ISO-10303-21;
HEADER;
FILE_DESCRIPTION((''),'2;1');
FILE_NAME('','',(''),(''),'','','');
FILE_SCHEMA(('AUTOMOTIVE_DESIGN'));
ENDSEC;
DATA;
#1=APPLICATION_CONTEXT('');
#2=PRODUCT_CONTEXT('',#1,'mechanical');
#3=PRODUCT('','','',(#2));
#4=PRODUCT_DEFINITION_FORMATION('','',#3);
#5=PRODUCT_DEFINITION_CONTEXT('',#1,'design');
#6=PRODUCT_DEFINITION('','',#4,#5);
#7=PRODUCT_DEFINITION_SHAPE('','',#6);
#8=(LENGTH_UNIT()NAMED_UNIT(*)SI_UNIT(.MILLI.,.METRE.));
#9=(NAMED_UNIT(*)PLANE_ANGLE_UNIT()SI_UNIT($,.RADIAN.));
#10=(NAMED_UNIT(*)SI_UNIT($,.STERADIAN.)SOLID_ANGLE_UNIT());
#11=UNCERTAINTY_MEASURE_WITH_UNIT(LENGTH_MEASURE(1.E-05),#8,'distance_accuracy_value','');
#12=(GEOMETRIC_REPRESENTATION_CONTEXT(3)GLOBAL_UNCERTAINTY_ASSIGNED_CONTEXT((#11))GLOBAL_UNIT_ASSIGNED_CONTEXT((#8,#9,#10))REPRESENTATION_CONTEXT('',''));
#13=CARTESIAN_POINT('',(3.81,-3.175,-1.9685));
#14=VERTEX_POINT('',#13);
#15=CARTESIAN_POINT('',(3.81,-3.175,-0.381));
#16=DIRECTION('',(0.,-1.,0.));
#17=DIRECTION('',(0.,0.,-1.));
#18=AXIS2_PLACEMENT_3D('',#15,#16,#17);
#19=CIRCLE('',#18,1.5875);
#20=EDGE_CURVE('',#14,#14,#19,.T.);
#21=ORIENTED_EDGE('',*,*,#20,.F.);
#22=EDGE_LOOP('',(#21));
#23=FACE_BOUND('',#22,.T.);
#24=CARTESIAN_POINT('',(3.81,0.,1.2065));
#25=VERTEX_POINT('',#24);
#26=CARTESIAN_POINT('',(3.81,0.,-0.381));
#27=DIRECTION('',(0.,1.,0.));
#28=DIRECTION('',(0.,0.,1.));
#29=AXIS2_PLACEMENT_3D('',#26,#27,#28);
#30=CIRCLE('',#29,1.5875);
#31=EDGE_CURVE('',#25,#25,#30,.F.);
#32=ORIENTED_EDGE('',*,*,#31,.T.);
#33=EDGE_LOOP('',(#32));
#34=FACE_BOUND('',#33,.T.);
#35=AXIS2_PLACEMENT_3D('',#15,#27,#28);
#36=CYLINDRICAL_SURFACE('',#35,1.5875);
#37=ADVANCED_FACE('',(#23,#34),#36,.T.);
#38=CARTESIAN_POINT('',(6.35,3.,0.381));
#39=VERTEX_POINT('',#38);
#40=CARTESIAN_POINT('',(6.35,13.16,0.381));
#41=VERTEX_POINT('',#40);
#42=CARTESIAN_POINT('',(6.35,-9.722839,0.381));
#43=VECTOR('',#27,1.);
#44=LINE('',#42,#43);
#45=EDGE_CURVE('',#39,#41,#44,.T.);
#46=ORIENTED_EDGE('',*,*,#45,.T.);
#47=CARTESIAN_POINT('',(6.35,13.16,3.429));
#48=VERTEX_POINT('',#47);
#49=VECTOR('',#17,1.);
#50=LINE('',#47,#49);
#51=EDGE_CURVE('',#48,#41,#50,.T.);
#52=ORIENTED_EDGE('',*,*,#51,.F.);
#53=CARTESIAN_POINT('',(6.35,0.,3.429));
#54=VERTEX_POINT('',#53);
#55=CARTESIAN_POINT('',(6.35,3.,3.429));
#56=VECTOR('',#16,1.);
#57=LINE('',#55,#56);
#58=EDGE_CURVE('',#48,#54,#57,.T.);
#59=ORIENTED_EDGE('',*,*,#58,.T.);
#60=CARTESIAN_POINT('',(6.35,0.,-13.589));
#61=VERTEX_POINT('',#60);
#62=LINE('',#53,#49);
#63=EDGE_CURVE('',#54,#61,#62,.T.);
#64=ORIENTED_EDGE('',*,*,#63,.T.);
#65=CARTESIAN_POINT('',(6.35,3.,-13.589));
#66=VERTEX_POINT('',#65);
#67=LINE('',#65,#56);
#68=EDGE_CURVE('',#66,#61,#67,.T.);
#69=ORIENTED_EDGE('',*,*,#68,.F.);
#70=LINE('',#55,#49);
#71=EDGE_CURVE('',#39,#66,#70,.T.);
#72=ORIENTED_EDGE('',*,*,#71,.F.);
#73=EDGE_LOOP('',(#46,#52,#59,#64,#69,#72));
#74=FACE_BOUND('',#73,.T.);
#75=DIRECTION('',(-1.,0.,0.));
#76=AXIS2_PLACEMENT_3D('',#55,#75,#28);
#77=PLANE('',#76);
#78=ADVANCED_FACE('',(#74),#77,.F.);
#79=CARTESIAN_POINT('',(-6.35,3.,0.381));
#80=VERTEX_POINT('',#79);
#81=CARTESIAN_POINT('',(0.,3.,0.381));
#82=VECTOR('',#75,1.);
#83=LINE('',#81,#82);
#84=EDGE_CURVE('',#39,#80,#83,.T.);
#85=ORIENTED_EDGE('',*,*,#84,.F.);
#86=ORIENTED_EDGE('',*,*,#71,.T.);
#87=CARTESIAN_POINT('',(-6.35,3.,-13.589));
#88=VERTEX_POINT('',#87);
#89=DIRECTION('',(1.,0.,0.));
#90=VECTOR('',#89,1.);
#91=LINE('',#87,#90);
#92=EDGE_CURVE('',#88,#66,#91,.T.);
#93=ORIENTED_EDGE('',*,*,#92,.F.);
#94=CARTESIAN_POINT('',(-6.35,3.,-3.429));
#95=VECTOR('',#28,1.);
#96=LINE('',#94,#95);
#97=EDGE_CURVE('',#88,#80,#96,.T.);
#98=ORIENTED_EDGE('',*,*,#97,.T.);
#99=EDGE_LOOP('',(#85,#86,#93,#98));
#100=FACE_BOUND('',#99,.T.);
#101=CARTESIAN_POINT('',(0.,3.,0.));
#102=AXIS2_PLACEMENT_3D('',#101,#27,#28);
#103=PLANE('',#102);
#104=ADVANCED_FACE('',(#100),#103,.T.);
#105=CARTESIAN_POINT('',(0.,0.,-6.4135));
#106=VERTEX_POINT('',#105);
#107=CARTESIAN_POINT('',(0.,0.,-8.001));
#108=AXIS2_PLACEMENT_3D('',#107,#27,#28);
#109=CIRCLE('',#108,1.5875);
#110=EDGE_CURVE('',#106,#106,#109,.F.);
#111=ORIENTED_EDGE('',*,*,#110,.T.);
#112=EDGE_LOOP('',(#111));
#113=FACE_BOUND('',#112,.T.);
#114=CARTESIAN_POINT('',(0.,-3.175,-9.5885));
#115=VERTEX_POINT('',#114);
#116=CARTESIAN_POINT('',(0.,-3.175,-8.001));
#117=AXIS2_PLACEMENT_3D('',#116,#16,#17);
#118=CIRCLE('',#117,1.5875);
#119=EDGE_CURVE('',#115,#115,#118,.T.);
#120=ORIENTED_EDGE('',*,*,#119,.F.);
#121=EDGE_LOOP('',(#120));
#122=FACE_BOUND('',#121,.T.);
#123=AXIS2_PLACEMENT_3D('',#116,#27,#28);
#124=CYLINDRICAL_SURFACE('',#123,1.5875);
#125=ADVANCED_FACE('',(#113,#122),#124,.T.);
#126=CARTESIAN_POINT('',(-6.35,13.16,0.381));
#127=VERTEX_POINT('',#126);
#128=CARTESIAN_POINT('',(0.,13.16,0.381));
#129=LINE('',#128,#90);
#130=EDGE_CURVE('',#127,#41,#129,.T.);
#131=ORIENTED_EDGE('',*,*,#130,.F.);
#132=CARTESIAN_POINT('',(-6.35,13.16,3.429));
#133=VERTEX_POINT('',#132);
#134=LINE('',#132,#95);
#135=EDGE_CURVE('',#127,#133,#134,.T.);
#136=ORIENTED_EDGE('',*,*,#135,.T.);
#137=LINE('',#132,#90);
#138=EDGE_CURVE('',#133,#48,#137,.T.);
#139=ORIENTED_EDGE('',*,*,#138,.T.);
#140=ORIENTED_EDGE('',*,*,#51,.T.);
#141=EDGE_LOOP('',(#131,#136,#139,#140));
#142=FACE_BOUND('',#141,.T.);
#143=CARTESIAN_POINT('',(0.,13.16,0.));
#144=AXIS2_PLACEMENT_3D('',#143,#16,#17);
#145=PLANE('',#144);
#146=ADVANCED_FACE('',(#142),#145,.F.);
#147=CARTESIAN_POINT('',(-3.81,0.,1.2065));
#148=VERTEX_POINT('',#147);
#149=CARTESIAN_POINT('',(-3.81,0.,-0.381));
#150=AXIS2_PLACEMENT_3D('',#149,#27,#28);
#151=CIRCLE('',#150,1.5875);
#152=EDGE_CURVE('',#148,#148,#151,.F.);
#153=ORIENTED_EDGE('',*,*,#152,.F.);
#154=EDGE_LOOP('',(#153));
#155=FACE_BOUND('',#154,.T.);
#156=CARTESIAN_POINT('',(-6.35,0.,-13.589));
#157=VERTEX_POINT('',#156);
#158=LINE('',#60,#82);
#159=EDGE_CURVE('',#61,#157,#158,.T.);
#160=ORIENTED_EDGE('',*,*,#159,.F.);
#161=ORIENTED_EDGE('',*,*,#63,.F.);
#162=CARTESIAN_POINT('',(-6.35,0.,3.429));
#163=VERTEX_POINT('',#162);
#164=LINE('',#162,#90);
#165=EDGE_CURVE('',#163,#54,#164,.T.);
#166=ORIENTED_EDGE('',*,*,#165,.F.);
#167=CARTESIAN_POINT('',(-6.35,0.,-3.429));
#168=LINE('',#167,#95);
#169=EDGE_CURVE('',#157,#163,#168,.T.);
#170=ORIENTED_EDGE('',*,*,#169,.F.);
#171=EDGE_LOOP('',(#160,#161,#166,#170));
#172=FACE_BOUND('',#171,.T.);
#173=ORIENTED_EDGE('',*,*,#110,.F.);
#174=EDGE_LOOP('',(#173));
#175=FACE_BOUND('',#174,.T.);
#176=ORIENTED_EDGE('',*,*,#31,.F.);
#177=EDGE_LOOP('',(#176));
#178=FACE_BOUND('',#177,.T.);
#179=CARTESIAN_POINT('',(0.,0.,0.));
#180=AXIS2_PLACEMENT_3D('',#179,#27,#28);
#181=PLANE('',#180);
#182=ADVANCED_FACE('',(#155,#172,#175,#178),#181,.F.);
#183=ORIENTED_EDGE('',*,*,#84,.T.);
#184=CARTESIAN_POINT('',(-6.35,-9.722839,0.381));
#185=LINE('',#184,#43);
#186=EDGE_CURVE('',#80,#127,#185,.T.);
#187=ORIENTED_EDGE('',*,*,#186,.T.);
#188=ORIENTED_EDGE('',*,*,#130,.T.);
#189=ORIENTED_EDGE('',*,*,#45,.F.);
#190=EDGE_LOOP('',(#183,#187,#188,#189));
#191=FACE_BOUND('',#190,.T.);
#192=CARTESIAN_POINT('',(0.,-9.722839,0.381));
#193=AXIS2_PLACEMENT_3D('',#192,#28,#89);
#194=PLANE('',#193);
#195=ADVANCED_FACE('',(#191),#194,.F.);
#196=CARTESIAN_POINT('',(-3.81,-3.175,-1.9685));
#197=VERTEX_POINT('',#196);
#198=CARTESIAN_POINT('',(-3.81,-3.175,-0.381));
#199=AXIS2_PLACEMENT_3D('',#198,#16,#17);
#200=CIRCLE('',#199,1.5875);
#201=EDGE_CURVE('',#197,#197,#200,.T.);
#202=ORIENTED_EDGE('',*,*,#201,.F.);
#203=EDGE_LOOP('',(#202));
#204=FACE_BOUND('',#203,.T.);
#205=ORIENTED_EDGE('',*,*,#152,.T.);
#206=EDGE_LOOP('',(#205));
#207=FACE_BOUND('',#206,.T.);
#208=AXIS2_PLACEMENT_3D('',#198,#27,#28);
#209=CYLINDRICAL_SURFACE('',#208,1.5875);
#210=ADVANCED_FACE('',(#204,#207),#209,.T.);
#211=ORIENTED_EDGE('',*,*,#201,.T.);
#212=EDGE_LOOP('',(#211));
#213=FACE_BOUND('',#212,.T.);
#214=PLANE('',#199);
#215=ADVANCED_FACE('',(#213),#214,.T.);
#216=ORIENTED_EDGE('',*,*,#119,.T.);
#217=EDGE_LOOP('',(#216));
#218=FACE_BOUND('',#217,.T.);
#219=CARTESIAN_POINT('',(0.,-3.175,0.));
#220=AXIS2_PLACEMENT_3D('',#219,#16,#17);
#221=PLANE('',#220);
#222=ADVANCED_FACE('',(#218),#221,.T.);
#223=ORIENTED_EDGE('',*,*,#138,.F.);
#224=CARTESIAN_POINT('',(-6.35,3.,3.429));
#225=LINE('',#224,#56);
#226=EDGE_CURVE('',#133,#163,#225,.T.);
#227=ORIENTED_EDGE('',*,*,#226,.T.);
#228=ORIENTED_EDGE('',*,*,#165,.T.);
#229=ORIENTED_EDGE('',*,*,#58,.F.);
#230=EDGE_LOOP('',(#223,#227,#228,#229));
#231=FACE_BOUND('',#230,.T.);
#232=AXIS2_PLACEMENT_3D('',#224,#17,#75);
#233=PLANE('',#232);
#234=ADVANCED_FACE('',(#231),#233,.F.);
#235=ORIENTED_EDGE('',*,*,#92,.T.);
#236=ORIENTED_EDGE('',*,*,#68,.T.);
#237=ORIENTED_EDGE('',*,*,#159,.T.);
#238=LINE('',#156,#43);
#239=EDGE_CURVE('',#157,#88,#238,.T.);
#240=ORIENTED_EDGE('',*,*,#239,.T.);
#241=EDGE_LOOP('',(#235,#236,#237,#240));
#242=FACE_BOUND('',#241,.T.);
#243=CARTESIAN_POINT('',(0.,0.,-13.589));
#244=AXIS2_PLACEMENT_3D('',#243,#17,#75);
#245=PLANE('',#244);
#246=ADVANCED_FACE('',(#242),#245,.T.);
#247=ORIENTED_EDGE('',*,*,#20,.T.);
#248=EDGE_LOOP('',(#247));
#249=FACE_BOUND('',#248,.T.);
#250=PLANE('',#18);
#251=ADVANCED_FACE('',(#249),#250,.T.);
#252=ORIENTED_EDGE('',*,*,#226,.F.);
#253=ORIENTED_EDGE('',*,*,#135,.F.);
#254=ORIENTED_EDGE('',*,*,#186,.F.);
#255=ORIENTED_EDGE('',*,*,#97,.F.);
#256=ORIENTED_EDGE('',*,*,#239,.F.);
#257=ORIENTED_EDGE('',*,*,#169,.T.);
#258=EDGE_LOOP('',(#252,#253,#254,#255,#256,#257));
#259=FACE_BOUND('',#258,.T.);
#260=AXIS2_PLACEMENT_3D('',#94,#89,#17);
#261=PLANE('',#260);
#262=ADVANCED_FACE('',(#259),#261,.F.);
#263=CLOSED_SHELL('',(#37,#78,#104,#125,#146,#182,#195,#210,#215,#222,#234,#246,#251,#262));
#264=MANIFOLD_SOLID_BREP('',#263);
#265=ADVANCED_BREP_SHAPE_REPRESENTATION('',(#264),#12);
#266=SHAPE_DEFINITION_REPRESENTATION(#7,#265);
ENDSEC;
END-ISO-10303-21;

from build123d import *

# Parameters (mm, degrees)
SKETCH2_W           = 12.7
SKETCH2_H           = 6.858
BOSS_EXTRUDE1_DEPTH = 3
SKETCH3_R           = 1.5875
BOSS_EXTRUDE2_DEPTH = 3.175
SKETCH4_W           = 12.7
SKETCH4_H           = 3.81
BOSS_EXTRUDE3_DEPTH = 10.16
SKETCH8_W           = 12.7
SKETCH8_H           = 3
BOSS_EXTRUDE6_DEPTH = 10.16
SKETCH11_R          = 1.5875
BOSS_EXTRUDE7_DEPTH = 3.175
SKETCH12_W          = 12.7
SKETCH12_H          = 0.762
CUT_EXTRUDE1_DEPTH  = 10.16


with BuildPart() as part:
    # Sketch2 → Boss-Extrude1 (new body)
    with BuildSketch(Plane(origin=(0, 0, 0), x_dir=(1, 0, 0), z_dir=(0, 1, 0))):
        Rectangle(SKETCH2_W, SKETCH2_H)
    extrude(amount=BOSS_EXTRUDE1_DEPTH)

    # Sketch3 → Boss-Extrude2 (add)
    with BuildSketch(Plane.XZ):
        with Locations(Location((3.81, -0.381, 0), (0, 0, 90))):
            Circle(SKETCH3_R)
        with Locations(Location((-3.81, -0.381, 0), (0, 0, 90))):
            Circle(SKETCH3_R)
    extrude(amount=BOSS_EXTRUDE2_DEPTH)

    # Sketch4 → Boss-Extrude3 (add)
    with BuildSketch(Plane(origin=(0, 3, 0), x_dir=(1, 0, 0), z_dir=(0, 1, 0))):
        with Locations((0, -1.524)):
            Rectangle(SKETCH4_W, SKETCH4_H)
    extrude(amount=BOSS_EXTRUDE3_DEPTH)

    # Sketch8 → Boss-Extrude6 (add)
    with BuildSketch(Plane(origin=(0, 0, -3.429), x_dir=(-1, 0, 0), z_dir=(0, 0, -1))):
        with Locations((0, 1.5)):
            Rectangle(SKETCH8_W, SKETCH8_H)
    extrude(amount=BOSS_EXTRUDE6_DEPTH)

    # Sketch11 → Boss-Extrude7 (add)
    with BuildSketch(Plane.XZ):
        with Locations(Location((0, -8.001, 0), (0, 0, 90))):
            Circle(SKETCH11_R)
    extrude(amount=BOSS_EXTRUDE7_DEPTH)

    # Sketch12 → Cut-Extrude1 (cut)
    with BuildSketch(Plane(origin=(0, 13.16, 0), x_dir=(1, 0, 0), z_dir=(0, 1, 0))):
        Rectangle(SKETCH12_W, SKETCH12_H)
    extrude(amount=-CUT_EXTRUDE1_DEPTH, mode=Mode.SUBTRACT)


solid = part.part
